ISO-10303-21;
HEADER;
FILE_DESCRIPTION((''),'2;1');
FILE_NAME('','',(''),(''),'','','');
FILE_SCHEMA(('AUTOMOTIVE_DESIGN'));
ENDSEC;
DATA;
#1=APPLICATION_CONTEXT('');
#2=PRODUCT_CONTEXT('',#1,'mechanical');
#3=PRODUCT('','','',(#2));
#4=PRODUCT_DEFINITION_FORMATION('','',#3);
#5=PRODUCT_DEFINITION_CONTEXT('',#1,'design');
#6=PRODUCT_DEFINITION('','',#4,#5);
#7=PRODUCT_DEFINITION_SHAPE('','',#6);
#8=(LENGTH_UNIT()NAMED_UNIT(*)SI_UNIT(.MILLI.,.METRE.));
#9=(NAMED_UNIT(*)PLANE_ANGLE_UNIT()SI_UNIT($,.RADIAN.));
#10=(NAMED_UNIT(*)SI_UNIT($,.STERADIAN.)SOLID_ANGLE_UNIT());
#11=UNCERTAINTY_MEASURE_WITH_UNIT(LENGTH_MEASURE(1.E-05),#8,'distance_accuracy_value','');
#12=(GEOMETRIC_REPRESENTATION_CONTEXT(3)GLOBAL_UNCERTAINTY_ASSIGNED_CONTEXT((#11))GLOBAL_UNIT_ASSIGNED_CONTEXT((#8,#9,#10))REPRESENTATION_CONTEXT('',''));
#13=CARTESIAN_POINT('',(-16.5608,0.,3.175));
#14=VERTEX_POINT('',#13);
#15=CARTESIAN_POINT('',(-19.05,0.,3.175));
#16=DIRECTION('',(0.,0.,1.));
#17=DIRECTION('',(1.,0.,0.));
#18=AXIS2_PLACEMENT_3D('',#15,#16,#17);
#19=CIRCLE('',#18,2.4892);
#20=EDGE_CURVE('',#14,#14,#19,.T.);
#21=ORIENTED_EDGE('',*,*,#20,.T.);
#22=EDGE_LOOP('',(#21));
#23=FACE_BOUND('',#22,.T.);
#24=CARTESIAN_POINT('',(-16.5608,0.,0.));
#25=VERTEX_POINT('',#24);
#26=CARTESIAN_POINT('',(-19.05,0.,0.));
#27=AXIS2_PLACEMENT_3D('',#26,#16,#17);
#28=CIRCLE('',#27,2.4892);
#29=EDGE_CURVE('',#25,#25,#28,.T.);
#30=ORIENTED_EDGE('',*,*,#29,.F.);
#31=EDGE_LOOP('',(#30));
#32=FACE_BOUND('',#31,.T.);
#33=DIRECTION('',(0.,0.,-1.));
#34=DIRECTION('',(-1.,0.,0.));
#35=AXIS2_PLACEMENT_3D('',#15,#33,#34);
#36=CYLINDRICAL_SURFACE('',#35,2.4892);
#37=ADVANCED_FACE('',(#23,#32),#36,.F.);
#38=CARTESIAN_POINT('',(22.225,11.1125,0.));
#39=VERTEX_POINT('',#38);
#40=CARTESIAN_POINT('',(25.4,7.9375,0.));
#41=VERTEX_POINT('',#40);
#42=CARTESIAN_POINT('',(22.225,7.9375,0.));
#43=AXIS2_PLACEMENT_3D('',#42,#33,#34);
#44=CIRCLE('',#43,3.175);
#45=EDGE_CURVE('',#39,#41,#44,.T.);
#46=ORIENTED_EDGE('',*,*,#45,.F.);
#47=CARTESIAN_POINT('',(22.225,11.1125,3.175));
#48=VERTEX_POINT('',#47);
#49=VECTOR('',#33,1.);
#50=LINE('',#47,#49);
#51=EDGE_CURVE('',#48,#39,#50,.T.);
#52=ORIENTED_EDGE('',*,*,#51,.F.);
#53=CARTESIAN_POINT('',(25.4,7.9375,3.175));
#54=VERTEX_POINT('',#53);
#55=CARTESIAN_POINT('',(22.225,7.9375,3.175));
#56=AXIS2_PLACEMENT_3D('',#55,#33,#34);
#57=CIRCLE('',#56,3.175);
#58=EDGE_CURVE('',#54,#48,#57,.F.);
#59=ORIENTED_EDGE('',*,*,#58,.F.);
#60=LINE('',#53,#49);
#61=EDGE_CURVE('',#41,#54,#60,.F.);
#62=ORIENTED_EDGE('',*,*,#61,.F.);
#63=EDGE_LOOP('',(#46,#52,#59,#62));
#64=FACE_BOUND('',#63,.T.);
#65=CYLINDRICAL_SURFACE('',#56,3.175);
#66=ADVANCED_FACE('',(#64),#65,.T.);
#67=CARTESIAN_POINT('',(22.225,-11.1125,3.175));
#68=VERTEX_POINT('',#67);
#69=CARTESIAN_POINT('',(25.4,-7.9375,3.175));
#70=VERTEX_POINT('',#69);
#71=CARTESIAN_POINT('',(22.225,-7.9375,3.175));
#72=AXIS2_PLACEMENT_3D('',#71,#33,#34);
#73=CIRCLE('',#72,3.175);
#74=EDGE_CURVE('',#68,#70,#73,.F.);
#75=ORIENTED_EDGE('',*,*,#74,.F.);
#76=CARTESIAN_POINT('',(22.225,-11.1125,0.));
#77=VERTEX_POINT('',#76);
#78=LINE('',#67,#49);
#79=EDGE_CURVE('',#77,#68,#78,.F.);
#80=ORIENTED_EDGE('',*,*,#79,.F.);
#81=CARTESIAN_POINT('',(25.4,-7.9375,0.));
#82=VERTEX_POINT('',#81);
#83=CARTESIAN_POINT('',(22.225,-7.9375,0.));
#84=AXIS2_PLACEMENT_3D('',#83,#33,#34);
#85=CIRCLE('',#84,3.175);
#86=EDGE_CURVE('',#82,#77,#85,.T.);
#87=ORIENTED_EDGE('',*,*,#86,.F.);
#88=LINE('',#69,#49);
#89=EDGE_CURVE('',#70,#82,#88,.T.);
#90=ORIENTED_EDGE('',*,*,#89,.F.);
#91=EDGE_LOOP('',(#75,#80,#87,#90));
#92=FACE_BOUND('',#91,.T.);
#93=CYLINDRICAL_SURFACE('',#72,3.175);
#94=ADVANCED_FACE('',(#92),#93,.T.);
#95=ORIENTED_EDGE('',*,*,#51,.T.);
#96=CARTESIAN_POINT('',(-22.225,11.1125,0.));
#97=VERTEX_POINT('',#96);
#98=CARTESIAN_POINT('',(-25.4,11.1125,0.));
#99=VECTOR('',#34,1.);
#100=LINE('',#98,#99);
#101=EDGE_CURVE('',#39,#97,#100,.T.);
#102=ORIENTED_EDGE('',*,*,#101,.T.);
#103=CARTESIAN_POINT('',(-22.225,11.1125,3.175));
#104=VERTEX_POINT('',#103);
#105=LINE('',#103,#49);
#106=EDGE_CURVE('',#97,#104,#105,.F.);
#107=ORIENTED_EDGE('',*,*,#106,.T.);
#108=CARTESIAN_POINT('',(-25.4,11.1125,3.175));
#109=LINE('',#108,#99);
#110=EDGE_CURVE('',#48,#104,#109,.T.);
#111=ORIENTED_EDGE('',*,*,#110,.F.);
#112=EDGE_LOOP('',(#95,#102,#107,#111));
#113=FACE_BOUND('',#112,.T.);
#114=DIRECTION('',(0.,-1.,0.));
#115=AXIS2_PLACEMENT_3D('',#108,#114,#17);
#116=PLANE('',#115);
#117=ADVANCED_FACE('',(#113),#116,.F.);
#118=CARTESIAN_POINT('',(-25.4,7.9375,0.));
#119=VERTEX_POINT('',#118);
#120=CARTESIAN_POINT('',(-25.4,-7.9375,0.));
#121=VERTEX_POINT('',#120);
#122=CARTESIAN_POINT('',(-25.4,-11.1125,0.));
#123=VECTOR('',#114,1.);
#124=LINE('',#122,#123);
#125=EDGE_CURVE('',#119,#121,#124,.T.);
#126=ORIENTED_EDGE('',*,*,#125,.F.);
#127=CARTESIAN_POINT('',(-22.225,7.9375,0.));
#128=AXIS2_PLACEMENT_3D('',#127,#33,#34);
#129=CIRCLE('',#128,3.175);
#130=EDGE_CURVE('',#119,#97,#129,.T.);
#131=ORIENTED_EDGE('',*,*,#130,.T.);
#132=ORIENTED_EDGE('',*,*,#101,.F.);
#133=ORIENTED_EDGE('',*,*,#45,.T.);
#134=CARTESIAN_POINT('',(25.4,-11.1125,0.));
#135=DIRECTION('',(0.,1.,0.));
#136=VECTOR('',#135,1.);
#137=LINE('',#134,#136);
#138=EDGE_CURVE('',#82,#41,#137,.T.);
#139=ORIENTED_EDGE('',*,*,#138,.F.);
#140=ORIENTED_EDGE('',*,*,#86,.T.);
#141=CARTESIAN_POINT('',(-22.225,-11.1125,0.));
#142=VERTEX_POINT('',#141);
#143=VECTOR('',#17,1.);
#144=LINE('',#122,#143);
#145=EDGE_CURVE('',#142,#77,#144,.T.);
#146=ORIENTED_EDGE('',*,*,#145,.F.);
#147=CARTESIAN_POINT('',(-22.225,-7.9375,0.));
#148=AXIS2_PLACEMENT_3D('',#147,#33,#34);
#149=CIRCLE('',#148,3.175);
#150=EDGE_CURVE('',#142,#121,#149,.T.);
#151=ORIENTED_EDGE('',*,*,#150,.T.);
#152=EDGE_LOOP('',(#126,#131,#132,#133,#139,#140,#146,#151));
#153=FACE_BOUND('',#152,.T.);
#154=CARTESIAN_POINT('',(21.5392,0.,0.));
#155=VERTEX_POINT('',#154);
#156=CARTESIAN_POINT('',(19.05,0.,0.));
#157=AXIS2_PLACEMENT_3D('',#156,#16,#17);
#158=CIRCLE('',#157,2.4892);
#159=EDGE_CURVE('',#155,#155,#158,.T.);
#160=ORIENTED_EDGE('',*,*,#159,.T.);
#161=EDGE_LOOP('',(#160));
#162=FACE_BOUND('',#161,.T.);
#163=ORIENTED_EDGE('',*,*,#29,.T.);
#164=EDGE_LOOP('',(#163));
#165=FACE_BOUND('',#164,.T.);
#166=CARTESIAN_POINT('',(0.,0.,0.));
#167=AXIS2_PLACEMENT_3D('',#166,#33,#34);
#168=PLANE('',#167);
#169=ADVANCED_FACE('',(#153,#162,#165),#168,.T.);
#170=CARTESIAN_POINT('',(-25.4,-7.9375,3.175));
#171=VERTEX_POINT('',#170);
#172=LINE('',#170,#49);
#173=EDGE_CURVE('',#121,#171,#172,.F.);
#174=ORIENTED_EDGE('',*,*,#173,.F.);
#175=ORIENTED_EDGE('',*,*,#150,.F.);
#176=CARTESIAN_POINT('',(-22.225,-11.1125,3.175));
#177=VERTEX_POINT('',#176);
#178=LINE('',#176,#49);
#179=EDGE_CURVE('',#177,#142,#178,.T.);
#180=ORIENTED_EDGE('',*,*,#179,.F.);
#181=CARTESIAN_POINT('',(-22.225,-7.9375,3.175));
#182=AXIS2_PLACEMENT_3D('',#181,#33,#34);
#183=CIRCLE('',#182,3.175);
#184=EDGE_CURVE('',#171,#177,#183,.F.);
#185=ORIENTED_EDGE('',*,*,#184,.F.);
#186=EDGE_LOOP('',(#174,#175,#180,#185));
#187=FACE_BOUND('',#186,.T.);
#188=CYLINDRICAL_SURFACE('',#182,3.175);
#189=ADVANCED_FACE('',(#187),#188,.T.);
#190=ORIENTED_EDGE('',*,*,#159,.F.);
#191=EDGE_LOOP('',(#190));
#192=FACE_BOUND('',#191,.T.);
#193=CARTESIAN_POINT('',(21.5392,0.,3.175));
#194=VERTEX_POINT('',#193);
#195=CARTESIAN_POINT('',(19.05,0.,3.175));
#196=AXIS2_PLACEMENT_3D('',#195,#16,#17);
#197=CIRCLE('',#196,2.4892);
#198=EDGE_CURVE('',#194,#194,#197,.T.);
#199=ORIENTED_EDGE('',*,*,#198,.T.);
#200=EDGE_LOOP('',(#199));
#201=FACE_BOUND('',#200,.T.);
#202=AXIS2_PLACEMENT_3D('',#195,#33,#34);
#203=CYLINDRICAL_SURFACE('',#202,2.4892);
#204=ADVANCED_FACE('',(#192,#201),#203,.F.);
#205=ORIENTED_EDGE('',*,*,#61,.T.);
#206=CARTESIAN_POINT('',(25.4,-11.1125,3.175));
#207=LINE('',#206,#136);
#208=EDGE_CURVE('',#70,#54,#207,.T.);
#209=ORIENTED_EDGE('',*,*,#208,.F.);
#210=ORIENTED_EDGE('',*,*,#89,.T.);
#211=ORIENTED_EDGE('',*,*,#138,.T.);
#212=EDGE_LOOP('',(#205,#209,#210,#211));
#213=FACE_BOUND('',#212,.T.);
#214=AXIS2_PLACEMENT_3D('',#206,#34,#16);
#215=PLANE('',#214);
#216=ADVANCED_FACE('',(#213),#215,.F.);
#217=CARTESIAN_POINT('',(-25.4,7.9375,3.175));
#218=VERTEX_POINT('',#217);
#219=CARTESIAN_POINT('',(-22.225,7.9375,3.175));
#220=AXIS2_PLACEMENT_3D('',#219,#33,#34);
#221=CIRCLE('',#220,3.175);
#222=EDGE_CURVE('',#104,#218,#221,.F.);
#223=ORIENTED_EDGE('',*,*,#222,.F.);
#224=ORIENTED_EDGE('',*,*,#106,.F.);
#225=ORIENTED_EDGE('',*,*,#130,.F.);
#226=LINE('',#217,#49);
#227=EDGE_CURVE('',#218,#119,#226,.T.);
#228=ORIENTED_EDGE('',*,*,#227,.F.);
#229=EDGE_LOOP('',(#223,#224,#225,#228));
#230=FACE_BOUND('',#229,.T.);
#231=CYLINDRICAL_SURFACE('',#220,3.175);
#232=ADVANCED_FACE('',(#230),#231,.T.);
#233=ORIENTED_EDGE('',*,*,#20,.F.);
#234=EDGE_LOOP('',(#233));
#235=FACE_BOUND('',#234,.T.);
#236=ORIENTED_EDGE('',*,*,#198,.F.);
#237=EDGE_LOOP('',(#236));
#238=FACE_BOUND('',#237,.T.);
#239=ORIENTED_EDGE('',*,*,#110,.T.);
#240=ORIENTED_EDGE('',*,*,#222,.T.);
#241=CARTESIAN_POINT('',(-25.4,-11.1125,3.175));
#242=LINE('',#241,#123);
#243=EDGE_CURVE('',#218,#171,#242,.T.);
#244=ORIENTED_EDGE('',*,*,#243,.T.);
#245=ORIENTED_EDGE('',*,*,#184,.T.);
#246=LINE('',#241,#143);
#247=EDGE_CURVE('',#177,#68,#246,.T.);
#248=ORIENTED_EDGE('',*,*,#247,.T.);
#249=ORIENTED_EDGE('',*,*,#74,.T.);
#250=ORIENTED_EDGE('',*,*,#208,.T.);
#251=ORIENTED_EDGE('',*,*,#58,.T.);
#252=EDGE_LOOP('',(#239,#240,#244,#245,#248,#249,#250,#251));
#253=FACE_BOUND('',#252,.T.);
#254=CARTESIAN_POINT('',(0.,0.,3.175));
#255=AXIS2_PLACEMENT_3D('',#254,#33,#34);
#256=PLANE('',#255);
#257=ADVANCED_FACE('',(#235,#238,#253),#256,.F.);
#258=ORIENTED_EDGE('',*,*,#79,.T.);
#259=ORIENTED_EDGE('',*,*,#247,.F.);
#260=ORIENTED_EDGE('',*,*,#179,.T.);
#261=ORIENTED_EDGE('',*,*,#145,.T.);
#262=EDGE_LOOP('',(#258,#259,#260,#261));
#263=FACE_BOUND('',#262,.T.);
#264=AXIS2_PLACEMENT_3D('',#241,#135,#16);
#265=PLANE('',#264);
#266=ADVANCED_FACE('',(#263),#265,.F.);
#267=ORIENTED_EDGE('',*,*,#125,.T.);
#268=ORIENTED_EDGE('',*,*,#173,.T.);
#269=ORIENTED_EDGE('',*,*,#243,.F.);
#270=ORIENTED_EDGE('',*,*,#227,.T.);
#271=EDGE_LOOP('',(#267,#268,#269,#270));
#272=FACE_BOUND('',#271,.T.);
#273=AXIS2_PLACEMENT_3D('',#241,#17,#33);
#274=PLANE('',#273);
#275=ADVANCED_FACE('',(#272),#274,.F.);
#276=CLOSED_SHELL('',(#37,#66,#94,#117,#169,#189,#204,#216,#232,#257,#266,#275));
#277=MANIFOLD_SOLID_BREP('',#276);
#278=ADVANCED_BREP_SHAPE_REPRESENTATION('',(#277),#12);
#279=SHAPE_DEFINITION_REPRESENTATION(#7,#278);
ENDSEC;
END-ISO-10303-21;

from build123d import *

# Parameters (mm, degrees)
SKETCH1_W           = 50.8
SKETCH1_H           = 22.225
SKETCH1_R           = 2.4892
BOSS_EXTRUDE1_DEPTH = 3.175
FILLET1_R           = 3.175


with BuildPart() as part:
    # Sketch1 → Boss-Extrude1 (new body)
    with BuildSketch(Plane.XY):
        Rectangle(SKETCH1_W, SKETCH1_H)
        with Locations((-19.05, 0)):
            Circle(SKETCH1_R, mode=Mode.SUBTRACT)
        with Locations((19.05, 0)):
            Circle(SKETCH1_R, mode=Mode.SUBTRACT)
    extrude(amount=BOSS_EXTRUDE1_DEPTH)

    # Fillet1
    fillet1_edges = [part.edges().sort_by_distance(p)[0] for p in [
        (-25.4, 11.1125, 1.5875),
        (25.4, 11.1125, 1.5875),
        (25.4, -11.1125, 1.5875),
        (-25.4, -11.1125, 1.5875),
    ]]
    fillet(fillet1_edges, radius=FILLET1_R)


solid = part.part
